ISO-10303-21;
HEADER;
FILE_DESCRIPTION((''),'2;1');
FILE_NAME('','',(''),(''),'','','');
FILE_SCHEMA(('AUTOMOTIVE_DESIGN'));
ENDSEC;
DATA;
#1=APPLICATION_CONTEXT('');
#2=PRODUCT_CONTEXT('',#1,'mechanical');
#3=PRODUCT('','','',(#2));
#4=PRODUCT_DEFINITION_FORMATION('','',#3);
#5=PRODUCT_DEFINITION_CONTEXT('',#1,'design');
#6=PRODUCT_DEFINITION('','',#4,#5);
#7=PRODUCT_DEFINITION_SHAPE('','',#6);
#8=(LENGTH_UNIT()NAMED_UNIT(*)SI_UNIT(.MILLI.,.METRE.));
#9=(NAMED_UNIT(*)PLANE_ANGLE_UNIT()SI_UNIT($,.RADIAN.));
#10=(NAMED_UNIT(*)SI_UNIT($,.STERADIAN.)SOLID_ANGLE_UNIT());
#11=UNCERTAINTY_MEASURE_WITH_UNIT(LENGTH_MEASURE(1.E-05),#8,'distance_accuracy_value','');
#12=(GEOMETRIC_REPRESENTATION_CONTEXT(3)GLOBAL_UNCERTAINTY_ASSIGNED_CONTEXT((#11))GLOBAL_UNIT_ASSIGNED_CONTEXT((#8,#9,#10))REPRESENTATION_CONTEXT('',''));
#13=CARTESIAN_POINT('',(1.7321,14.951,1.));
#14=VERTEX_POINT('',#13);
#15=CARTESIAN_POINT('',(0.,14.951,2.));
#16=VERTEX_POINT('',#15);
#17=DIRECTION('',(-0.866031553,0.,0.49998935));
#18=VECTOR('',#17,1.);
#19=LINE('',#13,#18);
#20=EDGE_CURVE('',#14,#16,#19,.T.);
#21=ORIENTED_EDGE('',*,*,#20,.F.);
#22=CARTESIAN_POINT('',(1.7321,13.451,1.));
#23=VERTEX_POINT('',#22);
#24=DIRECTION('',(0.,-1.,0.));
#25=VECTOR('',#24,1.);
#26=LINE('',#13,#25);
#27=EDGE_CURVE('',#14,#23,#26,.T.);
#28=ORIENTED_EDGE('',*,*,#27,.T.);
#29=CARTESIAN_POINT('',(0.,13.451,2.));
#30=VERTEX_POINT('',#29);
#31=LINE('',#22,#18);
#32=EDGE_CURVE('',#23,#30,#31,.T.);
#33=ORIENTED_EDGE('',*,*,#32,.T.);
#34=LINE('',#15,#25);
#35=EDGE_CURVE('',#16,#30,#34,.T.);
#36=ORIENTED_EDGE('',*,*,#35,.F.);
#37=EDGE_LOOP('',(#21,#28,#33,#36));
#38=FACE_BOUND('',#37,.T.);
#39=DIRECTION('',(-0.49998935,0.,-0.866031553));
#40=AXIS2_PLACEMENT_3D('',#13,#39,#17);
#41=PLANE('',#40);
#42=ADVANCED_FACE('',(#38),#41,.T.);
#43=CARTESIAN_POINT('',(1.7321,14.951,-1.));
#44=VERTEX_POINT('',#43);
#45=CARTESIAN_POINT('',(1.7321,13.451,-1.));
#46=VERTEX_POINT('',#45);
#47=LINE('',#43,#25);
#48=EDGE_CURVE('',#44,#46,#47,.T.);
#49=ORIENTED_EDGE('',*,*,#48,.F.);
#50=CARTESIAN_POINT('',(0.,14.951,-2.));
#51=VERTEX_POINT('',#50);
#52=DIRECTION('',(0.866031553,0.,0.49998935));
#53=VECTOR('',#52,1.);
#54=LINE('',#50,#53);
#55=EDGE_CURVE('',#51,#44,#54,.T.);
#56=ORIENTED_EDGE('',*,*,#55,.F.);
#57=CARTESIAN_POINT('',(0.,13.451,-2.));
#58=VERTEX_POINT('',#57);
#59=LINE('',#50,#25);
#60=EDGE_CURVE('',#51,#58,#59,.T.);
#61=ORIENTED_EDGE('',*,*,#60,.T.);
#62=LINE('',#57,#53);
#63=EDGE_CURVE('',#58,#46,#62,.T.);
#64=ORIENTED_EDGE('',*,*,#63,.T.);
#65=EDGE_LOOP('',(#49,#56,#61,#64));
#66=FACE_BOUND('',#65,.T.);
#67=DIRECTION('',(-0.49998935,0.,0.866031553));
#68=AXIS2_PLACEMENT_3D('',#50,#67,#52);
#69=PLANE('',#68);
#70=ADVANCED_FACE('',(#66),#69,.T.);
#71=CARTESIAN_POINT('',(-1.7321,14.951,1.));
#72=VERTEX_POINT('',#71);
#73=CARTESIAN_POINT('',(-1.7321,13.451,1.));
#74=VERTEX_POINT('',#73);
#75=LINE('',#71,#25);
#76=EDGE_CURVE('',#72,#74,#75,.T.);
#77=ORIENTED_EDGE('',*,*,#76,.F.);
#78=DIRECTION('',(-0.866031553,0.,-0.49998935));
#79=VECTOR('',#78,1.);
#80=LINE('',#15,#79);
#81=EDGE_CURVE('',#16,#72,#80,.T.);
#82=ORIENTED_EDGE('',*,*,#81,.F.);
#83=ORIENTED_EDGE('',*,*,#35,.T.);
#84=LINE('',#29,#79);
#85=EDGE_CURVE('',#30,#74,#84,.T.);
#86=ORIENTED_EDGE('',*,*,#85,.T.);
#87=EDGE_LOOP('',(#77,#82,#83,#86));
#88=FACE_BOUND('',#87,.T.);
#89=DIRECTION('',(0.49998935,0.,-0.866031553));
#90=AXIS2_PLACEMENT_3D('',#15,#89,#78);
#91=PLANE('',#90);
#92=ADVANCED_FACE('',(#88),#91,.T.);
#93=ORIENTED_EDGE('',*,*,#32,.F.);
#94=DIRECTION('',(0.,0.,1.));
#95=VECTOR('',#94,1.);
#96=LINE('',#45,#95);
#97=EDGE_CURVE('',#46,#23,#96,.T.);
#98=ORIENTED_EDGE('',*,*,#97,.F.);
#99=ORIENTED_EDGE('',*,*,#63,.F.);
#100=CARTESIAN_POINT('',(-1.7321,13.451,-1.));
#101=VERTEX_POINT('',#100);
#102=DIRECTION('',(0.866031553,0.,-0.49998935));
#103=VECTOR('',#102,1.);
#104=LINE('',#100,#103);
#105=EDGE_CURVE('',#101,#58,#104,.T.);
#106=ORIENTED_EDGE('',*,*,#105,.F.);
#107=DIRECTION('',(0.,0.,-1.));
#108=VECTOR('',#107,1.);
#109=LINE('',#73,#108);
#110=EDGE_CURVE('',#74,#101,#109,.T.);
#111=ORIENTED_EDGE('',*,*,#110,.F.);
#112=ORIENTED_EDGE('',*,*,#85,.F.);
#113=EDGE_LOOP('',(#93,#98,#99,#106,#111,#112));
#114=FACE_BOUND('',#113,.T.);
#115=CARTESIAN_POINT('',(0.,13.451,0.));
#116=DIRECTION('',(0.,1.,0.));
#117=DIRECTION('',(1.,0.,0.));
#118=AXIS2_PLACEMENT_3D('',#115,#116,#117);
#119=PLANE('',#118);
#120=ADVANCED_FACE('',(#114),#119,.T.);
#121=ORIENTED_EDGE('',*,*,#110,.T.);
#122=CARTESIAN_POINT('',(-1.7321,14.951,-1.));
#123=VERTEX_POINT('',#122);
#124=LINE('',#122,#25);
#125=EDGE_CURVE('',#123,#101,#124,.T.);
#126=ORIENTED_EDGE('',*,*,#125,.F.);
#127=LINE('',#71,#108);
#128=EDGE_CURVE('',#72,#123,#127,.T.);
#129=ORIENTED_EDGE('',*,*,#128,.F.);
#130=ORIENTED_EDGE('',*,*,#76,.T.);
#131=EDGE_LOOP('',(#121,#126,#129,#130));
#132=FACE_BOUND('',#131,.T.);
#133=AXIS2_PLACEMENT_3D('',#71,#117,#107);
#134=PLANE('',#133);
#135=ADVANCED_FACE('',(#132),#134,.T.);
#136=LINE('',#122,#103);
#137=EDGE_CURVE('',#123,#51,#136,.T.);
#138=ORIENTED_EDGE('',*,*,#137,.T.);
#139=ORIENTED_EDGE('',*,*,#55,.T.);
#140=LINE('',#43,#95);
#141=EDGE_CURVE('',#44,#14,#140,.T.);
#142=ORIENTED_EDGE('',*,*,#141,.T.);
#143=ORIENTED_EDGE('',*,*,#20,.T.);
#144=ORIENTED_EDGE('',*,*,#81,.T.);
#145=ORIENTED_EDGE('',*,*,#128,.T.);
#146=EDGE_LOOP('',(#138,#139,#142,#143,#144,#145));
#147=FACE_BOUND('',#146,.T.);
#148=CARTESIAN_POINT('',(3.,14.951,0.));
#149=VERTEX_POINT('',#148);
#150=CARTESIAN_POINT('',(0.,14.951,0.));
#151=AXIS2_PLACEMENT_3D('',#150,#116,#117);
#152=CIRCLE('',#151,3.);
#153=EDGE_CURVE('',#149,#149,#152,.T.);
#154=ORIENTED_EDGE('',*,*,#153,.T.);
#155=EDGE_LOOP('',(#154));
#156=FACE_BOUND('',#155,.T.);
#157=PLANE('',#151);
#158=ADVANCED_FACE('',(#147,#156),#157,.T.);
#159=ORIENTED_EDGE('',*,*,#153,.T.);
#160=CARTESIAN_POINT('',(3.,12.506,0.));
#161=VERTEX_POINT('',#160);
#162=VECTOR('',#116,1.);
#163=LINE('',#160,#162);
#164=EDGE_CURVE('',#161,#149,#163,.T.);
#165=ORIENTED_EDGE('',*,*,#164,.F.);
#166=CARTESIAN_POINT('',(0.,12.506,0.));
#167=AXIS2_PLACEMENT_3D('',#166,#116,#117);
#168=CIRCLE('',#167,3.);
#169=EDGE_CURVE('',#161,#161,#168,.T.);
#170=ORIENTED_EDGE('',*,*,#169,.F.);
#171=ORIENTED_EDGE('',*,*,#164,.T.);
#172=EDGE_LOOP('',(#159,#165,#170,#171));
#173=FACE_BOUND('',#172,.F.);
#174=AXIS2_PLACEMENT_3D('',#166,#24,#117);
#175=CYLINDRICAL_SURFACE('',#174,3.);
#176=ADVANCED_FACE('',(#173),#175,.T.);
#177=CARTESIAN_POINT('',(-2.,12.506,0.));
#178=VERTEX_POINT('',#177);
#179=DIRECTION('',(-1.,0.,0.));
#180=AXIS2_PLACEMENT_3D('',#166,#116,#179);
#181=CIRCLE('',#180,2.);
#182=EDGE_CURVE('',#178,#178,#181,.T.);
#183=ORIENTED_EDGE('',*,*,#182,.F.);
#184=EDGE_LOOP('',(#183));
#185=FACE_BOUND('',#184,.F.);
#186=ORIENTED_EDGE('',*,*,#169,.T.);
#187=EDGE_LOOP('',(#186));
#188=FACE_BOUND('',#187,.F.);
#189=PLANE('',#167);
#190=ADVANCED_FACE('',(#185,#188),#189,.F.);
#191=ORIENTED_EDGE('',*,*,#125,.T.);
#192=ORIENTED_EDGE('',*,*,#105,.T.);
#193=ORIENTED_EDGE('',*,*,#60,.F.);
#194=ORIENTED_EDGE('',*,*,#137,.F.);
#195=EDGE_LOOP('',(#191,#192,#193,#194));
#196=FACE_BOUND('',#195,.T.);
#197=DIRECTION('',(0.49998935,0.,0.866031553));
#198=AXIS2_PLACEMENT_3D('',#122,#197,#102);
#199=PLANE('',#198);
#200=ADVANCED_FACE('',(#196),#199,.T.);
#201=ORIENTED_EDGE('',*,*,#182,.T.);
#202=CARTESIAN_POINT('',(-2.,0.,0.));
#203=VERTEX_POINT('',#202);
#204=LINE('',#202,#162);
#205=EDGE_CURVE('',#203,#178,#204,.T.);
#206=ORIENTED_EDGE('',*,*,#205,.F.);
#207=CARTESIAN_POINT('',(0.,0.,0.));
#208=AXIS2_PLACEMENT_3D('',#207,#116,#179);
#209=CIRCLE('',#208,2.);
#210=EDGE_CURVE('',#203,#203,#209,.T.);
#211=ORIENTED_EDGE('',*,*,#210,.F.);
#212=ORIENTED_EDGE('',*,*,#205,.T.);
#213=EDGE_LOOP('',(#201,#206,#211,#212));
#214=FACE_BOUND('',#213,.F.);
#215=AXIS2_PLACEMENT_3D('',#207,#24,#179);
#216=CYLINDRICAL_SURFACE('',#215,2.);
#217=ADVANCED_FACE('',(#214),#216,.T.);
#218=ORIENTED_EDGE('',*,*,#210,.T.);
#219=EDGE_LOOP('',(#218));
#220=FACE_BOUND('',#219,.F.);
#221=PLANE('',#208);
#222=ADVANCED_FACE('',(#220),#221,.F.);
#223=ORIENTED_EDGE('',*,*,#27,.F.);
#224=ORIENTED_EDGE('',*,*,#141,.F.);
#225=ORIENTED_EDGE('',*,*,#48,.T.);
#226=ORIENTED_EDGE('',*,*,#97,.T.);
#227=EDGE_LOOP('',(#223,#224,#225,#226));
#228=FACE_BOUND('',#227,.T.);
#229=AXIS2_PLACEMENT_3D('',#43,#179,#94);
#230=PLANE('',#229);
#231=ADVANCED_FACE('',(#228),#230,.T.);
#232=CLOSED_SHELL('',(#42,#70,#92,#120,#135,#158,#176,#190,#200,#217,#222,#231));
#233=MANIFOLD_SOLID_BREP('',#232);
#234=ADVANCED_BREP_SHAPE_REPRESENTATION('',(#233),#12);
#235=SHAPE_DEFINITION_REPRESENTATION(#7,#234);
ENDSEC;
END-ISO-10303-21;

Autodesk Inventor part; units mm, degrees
ref_plane "YZ Plane" through (0, 0, 0) normal (1, 0, 0) x (0, 1, 0)
ref_plane "XZ Plane" through (0, 0, 0) normal (0, 1, 0) x (-1, 0, 0)
ref_plane "XY Plane" through (0, 0, 0) normal (0, 0, 1) x (1, 0, 0)
sketch "Sketch1" plane through (0, 0, 0) normal (0, 1, 0) x (-1, 0, 0)
  circle A0 centre (0, 0) radius 2
  dimension "d0" = 4
extrude "Extrusion1" add sketch "Sketch1" along normal blind 12.506
sketch "Sketch2" plane through (0, 12.506, 0) normal (0, 1, 0) x (1, 0, 0)
  circle A0 centre (0, 0) radius 3
  dimension "d3" = 6
extrude "Extrusion2" add sketch "Sketch2" along normal blind 2.445
sketch "Sketch3" plane through (0, 14.951, 0) normal (0, 1, 0) x (1, 0, 0)
  circle A0 centre (0, 0) radius 2 projected
  line L0 (0, 2) -> (1.7321, 1)
  line L1 (1.7321, 1) -> (1.7321, -1)
  line L2 (1.7321, -1) -> (0, -2)
  line L3 (0, -2) -> (-1.7321, -1)
  line L4 (-1.7321, -1) -> (-1.7321, 1)
  line L5 (-1.7321, 1) -> (0, 2)
extrude "Extrusion3" cut sketch "Sketch3" against normal blind 1.5 contours L1 L2 L3 L4 L5 L0
thread "Thread1" size "M4x0.5" class "6g" standard "ANSI Metric M Profile" length 20
properties part number "4mm_0.5_Screw"
